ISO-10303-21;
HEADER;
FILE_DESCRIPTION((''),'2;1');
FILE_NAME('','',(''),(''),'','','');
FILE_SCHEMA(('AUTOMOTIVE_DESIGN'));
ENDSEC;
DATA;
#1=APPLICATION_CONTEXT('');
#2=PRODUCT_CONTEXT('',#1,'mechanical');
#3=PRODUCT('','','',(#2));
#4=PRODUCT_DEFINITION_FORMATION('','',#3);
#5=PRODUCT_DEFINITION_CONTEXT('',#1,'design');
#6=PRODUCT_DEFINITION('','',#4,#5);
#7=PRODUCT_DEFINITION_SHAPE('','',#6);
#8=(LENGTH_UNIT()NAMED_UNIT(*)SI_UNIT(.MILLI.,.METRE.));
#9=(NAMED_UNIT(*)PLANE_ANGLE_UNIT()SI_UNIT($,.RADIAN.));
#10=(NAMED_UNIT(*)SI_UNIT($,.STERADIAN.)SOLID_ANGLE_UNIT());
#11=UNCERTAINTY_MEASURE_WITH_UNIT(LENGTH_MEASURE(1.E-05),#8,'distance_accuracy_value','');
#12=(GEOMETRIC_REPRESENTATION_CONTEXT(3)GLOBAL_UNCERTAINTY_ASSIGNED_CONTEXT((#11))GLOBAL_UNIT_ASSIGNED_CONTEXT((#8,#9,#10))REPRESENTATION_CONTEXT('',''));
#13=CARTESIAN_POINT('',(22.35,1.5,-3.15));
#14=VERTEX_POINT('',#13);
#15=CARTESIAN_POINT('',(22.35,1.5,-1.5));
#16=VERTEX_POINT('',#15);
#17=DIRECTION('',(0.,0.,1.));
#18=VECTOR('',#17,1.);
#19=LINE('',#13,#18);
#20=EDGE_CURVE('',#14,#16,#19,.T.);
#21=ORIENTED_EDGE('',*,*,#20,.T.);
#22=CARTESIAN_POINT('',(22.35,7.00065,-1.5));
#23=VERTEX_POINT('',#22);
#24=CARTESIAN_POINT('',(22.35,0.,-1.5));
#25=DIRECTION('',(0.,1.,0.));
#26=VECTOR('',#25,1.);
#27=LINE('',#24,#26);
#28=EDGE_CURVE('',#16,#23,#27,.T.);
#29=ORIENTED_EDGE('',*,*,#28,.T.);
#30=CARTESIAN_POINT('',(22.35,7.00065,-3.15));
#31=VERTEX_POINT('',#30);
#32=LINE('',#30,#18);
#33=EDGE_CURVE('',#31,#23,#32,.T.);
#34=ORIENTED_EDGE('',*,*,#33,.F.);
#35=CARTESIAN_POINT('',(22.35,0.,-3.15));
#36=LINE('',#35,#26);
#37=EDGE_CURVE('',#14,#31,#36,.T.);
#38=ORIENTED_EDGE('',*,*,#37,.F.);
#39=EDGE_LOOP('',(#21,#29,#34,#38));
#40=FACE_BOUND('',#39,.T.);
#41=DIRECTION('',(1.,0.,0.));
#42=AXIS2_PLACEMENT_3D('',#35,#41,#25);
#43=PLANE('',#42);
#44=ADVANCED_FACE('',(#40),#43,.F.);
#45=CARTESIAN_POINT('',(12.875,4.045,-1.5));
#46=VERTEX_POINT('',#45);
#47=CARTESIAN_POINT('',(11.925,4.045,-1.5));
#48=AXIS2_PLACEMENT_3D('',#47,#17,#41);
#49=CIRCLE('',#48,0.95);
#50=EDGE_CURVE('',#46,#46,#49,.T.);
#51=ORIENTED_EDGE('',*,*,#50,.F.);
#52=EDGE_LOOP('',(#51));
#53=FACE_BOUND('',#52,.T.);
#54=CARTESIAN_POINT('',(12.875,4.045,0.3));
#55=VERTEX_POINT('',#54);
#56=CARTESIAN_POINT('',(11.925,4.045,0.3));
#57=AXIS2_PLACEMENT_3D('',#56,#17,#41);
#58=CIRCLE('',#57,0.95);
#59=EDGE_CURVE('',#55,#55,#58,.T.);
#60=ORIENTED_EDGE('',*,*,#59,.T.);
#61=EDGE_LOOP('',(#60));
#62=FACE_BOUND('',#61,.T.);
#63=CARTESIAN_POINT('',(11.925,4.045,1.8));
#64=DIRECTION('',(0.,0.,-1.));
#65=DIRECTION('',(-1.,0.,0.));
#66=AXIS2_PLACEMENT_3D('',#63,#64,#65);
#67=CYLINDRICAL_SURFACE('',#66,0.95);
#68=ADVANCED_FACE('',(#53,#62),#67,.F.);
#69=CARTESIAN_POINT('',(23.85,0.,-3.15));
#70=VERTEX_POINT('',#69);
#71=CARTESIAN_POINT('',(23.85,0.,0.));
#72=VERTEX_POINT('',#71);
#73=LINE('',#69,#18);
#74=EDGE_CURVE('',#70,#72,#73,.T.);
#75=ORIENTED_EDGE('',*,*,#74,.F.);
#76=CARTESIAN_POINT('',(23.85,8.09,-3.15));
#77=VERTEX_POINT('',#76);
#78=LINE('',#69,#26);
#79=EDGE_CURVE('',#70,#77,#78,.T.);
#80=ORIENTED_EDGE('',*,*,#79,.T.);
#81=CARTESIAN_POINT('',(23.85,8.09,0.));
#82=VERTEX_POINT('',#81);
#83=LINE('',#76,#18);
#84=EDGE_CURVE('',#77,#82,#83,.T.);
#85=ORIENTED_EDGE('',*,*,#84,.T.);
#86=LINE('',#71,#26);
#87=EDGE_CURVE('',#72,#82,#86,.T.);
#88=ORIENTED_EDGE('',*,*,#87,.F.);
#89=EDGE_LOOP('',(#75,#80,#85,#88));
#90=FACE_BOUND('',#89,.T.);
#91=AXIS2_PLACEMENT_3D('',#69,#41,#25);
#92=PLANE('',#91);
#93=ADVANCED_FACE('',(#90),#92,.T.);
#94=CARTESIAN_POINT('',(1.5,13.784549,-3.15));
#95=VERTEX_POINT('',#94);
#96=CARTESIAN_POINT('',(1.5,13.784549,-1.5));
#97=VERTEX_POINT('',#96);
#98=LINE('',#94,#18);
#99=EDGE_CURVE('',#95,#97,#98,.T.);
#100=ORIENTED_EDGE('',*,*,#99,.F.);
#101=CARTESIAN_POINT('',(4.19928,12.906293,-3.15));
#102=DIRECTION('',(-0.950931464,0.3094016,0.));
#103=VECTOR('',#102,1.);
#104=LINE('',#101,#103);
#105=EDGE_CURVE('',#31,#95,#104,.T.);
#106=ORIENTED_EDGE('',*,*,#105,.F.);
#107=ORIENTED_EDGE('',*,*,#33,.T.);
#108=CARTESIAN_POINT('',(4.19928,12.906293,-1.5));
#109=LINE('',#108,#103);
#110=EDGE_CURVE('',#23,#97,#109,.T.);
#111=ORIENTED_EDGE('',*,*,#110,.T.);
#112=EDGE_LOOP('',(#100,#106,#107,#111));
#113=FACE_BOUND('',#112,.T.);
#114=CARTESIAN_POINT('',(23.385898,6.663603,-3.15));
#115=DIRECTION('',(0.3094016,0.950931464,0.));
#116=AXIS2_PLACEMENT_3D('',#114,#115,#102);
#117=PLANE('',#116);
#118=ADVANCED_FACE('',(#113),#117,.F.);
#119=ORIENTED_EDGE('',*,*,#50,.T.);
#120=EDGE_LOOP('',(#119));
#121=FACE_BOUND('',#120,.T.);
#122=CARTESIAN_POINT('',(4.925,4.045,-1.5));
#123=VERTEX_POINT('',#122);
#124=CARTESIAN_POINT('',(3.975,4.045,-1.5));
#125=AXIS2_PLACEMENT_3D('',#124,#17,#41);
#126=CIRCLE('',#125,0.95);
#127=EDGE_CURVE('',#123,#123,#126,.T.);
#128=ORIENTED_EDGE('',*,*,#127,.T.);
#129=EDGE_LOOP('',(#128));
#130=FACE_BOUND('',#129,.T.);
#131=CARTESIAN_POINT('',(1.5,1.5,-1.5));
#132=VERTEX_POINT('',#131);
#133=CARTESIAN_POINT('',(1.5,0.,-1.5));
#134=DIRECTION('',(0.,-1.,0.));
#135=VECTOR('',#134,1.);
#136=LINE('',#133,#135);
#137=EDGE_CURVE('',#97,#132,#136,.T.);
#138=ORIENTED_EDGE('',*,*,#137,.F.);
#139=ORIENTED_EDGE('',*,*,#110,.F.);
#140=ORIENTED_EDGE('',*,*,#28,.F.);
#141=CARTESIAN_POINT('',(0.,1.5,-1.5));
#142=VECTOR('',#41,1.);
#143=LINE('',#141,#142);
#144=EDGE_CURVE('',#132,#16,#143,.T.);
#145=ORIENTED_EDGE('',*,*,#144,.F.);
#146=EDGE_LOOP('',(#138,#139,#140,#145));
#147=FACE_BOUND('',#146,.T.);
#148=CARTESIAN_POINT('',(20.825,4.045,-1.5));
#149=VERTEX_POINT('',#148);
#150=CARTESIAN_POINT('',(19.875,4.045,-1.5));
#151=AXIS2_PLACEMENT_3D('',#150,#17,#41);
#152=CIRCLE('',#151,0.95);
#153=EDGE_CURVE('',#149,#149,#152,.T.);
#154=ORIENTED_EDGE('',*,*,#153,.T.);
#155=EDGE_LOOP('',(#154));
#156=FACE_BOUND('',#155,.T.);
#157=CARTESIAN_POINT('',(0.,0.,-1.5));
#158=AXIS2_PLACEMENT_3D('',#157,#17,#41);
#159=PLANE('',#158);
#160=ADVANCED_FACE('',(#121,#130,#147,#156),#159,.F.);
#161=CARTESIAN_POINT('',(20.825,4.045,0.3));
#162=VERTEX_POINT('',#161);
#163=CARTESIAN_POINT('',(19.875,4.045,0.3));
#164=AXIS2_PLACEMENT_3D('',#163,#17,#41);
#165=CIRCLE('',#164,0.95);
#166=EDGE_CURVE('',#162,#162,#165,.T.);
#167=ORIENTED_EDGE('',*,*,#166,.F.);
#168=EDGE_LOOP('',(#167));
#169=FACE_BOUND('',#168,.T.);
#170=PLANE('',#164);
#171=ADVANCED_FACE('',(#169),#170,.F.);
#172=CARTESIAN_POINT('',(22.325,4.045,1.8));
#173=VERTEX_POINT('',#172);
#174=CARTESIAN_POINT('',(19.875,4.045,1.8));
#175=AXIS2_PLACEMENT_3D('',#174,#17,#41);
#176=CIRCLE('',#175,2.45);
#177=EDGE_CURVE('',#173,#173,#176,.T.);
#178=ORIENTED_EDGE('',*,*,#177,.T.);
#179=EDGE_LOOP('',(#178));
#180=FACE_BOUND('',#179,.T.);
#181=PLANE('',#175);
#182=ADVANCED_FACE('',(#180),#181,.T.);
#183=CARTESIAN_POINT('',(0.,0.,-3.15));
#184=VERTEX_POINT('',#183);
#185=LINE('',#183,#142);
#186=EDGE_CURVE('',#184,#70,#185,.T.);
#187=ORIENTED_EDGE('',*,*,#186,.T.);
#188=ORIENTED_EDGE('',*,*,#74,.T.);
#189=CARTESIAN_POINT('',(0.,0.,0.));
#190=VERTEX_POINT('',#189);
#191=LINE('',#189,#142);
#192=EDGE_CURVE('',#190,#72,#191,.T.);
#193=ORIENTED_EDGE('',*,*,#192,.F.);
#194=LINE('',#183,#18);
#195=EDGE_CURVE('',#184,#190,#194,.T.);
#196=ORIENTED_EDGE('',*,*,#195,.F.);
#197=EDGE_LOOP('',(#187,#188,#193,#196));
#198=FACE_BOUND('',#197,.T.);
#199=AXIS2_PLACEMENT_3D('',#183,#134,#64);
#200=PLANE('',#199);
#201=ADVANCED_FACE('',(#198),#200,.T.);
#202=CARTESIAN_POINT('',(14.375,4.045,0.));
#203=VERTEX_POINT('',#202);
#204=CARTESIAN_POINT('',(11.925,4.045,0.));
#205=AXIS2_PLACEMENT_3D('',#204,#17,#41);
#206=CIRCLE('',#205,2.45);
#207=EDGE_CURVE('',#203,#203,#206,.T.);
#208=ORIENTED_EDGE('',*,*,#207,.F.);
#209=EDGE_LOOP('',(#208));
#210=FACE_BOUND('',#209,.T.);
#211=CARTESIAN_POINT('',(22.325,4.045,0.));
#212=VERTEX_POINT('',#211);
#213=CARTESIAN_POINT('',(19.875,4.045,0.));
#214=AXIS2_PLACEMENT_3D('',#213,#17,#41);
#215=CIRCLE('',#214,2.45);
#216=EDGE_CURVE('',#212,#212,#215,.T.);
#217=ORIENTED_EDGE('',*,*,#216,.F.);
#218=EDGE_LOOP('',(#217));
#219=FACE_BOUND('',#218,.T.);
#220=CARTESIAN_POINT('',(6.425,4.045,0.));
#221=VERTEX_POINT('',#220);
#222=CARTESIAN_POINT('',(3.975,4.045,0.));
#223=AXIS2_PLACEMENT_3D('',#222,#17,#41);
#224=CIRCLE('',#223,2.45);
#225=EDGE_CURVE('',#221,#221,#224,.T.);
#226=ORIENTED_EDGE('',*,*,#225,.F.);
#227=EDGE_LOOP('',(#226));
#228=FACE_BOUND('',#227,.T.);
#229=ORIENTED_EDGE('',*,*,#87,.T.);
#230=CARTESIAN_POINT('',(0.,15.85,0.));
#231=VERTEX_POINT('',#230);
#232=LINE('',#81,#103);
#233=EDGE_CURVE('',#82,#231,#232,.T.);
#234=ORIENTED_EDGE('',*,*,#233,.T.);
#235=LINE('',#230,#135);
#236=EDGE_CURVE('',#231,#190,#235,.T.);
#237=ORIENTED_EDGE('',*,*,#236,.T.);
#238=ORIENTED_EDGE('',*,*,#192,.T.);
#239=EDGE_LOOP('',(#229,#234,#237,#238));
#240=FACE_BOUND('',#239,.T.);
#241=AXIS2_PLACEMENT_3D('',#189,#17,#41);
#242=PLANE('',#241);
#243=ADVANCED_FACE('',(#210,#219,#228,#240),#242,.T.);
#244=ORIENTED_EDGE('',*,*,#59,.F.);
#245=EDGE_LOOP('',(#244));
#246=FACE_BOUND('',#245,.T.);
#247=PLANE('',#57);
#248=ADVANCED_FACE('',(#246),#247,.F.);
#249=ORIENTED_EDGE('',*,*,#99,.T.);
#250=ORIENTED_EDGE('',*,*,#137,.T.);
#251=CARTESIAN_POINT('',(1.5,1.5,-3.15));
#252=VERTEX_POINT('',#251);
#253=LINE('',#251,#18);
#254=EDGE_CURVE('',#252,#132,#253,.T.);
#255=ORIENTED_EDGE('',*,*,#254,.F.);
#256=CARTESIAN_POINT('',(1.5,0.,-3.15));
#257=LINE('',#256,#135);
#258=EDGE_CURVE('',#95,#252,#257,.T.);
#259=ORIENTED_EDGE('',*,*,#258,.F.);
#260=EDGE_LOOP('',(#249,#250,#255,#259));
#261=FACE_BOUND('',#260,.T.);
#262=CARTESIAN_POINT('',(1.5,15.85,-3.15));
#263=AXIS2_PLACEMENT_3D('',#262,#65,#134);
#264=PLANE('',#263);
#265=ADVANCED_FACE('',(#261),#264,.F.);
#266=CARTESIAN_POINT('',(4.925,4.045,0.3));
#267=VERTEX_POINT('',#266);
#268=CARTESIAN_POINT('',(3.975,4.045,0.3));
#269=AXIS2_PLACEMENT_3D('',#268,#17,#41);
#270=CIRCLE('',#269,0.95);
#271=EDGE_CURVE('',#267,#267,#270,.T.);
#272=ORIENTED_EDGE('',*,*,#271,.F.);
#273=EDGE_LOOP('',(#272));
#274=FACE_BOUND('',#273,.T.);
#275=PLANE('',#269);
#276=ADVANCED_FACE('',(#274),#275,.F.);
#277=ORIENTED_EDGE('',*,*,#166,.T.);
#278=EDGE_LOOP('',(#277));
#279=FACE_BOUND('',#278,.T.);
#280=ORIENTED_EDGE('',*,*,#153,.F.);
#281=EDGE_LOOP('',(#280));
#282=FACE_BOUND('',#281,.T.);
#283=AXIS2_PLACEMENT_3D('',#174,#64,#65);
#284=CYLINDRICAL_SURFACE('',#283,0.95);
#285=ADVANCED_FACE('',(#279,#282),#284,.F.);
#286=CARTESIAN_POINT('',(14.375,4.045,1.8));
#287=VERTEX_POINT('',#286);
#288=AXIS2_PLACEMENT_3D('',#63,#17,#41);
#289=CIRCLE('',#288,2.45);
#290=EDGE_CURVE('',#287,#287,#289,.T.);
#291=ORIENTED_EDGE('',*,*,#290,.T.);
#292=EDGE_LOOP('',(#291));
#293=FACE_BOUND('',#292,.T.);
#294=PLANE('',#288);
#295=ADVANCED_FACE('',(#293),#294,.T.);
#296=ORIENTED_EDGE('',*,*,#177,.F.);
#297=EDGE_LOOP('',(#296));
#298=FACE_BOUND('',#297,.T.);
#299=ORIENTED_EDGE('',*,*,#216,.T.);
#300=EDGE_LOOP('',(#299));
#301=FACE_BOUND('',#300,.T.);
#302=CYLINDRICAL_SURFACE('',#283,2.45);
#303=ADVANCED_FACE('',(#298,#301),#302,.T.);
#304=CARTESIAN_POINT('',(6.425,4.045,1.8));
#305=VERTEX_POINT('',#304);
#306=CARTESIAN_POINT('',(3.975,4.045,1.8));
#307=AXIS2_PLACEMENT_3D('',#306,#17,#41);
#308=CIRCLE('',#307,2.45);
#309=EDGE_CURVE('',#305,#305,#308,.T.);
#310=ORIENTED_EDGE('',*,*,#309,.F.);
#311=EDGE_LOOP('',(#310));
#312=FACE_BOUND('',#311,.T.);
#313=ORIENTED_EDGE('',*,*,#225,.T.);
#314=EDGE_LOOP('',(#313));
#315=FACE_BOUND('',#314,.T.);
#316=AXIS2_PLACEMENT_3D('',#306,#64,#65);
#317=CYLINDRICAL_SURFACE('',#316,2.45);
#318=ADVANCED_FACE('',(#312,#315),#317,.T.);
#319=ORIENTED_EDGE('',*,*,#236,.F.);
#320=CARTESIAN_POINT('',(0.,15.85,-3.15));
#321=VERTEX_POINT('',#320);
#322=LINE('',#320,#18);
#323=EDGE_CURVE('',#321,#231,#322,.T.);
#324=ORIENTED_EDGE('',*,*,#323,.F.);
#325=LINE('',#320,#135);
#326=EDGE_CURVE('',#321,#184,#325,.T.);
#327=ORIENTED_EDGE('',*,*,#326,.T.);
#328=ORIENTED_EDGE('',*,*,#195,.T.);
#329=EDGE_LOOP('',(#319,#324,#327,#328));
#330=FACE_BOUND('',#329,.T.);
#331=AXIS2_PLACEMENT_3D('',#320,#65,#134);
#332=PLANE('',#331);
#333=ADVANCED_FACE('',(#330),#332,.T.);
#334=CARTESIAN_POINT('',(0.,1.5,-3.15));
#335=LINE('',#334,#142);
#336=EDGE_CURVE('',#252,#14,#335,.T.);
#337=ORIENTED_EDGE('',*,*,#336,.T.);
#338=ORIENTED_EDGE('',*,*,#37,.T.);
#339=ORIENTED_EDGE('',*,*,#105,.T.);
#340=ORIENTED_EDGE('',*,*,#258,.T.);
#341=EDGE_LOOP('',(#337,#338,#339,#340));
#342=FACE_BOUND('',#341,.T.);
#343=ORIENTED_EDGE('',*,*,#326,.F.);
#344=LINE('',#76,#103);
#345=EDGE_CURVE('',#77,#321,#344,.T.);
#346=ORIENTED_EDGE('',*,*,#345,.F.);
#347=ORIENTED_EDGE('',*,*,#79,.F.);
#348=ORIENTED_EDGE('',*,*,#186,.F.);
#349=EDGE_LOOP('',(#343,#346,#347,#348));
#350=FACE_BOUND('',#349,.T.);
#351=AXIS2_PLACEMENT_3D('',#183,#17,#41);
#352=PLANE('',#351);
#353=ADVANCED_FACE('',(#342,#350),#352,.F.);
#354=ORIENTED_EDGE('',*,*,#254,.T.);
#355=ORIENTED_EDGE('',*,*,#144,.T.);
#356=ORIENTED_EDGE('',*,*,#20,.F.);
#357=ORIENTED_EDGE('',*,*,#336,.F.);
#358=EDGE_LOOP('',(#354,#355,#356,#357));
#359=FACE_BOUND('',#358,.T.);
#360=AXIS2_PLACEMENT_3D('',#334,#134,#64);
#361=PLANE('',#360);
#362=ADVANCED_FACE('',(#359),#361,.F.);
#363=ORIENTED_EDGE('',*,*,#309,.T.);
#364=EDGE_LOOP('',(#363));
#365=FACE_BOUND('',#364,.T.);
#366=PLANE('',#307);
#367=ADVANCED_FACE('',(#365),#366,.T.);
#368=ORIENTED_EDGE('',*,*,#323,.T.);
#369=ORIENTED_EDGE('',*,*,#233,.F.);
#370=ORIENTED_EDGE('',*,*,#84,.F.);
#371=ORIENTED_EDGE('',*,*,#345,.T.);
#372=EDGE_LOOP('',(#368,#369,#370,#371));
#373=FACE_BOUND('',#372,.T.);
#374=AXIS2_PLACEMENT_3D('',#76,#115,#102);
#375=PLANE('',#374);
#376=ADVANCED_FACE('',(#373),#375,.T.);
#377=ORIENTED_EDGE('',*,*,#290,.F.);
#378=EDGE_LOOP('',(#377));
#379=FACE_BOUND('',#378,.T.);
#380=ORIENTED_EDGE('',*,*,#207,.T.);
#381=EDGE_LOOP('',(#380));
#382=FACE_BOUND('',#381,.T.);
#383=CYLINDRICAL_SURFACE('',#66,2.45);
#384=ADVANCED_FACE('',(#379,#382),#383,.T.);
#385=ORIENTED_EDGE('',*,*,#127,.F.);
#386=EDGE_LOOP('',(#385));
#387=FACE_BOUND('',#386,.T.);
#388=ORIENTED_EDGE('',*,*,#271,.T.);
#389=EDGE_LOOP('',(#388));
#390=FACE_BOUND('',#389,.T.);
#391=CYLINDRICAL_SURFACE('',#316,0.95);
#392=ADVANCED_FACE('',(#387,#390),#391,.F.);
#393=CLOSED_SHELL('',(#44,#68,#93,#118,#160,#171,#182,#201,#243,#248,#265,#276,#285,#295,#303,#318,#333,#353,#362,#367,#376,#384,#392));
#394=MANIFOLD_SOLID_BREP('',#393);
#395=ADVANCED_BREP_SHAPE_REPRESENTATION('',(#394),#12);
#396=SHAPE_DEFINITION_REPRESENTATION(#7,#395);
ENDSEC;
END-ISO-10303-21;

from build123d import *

# Parameters (mm, degrees)
BOSS_EXTRUDE1_DEPTH = 3.15
SKETCH2_R           = 2.45
BOSS_EXTRUDE2_DEPTH = 1.8
SHELL1_T            = -1.5


with BuildPart() as part:
    # Sketch1 → Boss-Extrude1 (new body)
    with BuildSketch(Plane.XY):
        Polygon((0, 0), (23.85, 0), (23.85, 8.09), (0, 15.85), align=None)
    extrude(amount=-BOSS_EXTRUDE1_DEPTH)

    # Sketch2 → Boss-Extrude2 (add)
    with BuildSketch(Plane.XY):
        with Locations((3.975, 4.045)):
            Circle(SKETCH2_R)
        with Locations((11.925, 4.045)):
            Circle(SKETCH2_R)
        with Locations((19.875, 4.045)):
            Circle(SKETCH2_R)
    extrude(amount=BOSS_EXTRUDE2_DEPTH)

    # Shell1
    shell1_openings = [part.faces().sort_by_distance(p)[0] for p in [
        (10.636528822, 6.194612921, -3.15),
    ]]
    offset(amount=SHELL1_T, openings=shell1_openings, kind=Kind.INTERSECTION)


solid = part.part
